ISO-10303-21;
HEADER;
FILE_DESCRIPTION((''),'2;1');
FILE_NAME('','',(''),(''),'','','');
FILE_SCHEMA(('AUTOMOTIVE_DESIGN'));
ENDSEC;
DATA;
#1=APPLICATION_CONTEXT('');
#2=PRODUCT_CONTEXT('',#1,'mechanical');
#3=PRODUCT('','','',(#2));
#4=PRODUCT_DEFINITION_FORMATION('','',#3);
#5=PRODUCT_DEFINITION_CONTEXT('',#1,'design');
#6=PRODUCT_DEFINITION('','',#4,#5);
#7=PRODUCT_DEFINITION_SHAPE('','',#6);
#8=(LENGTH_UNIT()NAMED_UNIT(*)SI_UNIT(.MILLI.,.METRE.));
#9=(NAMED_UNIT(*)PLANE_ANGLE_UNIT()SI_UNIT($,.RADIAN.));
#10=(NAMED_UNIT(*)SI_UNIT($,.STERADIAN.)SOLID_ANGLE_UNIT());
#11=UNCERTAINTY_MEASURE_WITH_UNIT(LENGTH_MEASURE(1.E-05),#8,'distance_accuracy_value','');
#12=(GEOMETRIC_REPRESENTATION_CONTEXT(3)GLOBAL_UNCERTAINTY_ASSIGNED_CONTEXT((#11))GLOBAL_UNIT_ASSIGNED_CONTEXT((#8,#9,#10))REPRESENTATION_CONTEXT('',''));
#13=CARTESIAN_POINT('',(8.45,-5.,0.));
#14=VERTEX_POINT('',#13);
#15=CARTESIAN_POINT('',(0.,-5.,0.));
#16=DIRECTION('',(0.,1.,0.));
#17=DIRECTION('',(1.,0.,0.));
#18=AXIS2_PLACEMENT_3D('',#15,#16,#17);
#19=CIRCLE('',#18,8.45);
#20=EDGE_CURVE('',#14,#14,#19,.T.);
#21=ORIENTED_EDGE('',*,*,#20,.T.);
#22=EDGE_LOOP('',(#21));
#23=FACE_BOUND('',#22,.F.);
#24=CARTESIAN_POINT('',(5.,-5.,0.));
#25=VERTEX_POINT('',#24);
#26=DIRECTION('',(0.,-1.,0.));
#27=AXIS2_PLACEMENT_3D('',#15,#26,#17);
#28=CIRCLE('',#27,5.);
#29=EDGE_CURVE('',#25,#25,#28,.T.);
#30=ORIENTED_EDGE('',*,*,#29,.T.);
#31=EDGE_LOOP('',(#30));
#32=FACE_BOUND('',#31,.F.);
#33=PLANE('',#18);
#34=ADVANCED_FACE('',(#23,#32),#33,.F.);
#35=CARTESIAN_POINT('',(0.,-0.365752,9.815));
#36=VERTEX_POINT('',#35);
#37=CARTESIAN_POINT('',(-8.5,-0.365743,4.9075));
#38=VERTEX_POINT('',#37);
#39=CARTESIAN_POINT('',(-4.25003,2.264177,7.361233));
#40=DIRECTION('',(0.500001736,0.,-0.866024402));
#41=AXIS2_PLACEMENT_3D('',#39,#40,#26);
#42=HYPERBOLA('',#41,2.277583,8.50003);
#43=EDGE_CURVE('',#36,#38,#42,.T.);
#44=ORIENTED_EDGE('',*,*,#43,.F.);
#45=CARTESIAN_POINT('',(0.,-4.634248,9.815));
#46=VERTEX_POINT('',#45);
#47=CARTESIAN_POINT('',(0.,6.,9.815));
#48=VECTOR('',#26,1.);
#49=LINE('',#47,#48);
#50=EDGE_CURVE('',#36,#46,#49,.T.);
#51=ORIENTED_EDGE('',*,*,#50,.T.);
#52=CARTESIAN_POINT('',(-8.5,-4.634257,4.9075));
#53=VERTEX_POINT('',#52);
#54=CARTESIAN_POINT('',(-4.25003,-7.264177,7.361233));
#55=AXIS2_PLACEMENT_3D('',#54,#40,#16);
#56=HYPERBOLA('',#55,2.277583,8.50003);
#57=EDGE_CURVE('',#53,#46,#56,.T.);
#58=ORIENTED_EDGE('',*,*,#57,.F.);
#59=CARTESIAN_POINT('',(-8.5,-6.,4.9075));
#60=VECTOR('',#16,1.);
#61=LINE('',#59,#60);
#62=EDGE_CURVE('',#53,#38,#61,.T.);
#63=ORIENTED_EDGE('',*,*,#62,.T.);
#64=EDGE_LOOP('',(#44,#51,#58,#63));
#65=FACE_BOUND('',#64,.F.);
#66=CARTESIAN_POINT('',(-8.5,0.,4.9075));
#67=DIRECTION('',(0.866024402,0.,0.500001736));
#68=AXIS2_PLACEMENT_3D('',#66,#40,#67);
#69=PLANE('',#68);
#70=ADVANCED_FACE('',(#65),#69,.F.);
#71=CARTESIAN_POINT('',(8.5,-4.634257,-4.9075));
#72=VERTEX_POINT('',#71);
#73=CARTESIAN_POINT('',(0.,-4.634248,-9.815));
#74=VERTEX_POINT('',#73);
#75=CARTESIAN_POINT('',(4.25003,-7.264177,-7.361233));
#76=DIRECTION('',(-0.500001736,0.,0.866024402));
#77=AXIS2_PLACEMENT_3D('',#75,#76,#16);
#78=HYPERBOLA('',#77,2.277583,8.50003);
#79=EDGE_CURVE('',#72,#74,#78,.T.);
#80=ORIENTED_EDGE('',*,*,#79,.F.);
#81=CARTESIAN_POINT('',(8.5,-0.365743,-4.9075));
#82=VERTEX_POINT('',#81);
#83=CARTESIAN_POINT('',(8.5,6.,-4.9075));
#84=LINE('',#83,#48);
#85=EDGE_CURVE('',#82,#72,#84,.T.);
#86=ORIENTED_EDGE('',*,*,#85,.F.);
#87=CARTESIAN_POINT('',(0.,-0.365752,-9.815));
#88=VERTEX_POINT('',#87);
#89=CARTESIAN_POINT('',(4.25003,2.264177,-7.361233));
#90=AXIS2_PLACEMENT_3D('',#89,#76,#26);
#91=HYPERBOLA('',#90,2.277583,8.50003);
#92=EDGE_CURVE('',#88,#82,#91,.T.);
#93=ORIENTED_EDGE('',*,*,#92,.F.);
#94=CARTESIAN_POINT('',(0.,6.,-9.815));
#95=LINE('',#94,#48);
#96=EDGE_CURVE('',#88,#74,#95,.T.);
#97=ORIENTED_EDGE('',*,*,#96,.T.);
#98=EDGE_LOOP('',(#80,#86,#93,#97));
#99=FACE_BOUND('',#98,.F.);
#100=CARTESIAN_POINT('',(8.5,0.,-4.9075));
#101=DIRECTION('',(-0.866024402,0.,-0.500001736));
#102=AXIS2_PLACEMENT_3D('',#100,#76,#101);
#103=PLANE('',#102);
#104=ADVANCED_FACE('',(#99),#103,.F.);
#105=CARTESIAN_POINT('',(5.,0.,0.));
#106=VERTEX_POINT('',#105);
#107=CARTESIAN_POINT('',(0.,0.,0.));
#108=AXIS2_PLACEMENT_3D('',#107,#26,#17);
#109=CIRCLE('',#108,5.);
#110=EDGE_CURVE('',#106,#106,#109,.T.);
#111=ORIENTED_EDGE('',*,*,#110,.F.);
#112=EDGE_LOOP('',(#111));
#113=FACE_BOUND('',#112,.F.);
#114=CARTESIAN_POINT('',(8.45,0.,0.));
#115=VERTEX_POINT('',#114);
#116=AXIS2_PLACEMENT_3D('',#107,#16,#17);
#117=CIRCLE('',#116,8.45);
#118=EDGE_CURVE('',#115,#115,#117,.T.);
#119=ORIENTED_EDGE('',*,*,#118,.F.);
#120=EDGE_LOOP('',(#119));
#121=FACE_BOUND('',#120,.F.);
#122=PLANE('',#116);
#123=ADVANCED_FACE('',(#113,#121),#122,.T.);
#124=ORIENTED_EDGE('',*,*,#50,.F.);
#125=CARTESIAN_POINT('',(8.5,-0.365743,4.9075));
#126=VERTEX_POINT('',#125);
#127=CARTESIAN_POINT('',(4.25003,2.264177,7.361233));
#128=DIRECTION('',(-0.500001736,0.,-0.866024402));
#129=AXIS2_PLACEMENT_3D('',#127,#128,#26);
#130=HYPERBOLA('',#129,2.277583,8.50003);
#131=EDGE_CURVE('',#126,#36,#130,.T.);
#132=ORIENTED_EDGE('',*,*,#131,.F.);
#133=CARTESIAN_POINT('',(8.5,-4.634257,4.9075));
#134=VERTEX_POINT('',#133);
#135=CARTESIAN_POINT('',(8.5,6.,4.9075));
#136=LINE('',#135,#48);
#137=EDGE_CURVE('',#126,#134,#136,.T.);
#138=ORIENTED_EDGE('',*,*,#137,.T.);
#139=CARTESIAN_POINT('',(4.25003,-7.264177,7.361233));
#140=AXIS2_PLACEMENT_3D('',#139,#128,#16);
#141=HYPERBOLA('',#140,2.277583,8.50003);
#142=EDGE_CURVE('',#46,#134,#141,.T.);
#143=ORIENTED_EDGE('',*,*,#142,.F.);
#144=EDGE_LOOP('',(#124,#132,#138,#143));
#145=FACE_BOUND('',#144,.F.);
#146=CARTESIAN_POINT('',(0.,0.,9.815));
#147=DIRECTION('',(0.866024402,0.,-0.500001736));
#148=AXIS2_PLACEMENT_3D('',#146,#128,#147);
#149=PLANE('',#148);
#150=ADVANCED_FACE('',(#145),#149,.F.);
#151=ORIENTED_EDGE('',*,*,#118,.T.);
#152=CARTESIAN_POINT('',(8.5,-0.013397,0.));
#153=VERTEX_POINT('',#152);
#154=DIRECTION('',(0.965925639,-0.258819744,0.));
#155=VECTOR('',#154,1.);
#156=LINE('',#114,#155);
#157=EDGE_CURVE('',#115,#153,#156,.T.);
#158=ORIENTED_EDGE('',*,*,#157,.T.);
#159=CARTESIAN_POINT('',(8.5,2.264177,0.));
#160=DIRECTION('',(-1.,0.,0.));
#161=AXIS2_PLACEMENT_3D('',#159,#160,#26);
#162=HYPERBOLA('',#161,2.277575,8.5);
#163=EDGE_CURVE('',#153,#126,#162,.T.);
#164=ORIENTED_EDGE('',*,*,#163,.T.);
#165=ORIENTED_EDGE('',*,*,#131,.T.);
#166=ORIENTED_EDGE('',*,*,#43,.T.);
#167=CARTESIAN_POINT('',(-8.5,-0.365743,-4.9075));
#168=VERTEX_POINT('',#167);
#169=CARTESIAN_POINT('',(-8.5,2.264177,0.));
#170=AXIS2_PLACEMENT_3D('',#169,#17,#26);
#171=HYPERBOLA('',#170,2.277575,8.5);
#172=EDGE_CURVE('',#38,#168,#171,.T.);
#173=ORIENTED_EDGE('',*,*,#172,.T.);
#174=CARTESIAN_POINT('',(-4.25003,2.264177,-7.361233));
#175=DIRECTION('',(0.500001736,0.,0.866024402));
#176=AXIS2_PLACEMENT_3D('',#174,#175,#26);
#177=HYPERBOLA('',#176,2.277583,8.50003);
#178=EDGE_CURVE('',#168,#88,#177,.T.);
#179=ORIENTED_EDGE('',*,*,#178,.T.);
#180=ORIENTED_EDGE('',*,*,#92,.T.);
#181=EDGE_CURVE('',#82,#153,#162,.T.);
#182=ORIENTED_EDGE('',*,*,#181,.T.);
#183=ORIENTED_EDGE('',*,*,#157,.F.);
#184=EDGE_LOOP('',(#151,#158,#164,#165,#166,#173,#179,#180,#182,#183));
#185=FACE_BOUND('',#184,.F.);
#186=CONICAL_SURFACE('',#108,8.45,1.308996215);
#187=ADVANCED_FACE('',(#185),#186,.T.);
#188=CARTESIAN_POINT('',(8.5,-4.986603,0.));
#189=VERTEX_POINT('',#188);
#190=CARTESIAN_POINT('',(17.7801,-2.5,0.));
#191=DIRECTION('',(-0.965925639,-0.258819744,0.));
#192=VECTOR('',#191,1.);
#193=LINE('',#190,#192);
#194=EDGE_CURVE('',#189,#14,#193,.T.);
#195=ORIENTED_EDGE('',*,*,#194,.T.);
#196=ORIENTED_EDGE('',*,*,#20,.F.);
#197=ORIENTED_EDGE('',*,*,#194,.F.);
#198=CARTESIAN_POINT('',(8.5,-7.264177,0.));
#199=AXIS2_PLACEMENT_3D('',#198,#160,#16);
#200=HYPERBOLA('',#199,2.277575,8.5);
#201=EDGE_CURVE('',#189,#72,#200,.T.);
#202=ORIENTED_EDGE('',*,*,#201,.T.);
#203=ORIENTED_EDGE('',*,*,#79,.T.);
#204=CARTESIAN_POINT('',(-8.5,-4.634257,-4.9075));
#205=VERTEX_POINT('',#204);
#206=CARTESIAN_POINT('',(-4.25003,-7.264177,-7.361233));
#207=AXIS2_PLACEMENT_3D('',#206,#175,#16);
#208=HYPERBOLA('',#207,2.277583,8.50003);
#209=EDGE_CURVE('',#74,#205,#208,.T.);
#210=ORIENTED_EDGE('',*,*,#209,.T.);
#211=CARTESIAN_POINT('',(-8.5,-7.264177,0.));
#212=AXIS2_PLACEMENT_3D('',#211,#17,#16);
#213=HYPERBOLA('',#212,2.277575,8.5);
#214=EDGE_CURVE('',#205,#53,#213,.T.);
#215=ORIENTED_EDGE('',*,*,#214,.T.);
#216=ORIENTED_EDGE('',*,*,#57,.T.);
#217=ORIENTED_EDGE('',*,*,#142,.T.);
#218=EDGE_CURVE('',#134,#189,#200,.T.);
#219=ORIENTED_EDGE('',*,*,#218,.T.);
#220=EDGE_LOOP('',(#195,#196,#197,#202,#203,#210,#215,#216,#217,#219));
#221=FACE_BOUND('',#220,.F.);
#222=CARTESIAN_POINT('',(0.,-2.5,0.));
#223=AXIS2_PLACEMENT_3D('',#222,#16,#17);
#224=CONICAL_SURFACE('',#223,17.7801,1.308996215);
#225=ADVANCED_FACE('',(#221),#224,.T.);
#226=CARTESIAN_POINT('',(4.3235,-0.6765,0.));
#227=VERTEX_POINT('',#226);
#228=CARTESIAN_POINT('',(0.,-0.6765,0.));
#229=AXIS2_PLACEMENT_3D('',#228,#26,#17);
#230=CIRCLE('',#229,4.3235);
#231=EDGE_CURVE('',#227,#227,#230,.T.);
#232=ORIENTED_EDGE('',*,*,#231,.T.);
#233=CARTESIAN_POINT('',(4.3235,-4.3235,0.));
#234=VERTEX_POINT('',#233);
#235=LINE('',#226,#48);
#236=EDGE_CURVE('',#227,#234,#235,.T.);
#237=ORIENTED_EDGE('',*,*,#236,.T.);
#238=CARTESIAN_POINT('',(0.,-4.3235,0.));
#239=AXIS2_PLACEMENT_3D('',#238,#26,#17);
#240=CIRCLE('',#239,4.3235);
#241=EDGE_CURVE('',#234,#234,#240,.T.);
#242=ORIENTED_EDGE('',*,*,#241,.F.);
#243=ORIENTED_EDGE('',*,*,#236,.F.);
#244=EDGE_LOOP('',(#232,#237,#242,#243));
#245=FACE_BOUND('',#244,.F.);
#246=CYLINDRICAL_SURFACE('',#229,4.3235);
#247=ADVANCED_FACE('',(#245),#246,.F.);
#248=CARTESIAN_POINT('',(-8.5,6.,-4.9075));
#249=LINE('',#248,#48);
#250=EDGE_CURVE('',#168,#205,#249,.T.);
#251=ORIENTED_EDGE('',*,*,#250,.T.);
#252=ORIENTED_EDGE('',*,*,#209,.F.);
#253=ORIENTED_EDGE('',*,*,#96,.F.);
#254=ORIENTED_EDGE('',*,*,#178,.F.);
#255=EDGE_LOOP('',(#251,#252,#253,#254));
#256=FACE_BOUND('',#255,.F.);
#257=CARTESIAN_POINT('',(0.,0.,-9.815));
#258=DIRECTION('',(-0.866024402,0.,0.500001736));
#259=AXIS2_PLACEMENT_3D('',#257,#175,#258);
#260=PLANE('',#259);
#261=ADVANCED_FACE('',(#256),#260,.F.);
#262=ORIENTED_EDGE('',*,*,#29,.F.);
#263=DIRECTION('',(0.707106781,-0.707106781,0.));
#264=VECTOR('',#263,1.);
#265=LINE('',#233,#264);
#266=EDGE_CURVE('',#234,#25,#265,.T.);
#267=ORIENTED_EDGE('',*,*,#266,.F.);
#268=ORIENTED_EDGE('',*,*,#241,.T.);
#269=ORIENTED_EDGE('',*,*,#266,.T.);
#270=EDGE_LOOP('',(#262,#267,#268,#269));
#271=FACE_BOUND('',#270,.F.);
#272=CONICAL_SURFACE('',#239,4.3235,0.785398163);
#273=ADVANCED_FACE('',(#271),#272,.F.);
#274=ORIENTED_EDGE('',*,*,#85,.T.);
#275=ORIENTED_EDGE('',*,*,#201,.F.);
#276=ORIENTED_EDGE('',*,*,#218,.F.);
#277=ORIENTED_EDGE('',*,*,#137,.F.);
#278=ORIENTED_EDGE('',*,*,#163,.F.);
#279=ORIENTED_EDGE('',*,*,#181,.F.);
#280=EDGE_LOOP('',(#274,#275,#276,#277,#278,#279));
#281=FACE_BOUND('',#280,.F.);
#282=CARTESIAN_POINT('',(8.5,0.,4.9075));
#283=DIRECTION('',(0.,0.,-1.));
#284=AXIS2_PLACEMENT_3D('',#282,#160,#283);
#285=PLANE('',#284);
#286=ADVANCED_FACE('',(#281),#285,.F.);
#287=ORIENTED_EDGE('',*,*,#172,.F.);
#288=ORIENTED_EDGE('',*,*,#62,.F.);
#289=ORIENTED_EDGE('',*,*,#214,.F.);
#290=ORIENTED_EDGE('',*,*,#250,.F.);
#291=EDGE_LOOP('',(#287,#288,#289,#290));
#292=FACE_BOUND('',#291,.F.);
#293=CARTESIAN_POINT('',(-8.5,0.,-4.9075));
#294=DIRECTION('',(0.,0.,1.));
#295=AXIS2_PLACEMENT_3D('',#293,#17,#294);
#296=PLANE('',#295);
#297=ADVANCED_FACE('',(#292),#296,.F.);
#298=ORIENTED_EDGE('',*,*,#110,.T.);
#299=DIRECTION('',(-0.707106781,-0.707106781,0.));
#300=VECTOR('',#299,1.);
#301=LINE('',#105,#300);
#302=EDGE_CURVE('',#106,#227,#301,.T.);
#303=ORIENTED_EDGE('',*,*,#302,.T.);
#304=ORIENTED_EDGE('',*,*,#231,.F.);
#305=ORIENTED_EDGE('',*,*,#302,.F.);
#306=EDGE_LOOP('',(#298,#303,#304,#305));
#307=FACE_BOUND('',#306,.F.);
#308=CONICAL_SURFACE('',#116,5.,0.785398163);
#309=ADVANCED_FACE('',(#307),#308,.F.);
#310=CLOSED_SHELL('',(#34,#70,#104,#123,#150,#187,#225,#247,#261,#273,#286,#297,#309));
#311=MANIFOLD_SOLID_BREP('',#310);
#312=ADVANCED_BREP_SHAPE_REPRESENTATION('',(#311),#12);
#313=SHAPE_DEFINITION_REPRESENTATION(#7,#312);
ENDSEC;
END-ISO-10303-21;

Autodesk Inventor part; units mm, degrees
sketch "Sketch_1" plane through (0, 0, 0) normal (0, 0, 1) x (1, 0, 0)
  line L0 (0, -5) -> (0, 0)
  line L1 (0, 0) -> (8.45, 0)
  line L2 (8.45, 0) -> (17.7801, -2.5)
  line L3 (17.7801, -2.5) -> (8.45, -5)
  line L4 (8.45, -5) -> (0, -5)
  line L5 (0, -5) -> (0, 0)
revolve "Revolution1" add sketch "Sketch_1" angle 360 about axis through (0, -5, 0) along (0, 1, 0)
sketch "Sketch_2" plane through (0, 0, 0) normal (0, 1, 0) x (-1, 0, 0)
  line L0 (34, -34) -> (34, 34)
  line L1 (34, 34) -> (-34, 34)
  line L2 (-34, 34) -> (-34, -34)
  line L3 (-34, -34) -> (34, -34)
  line L4 (8.5, 4.9075) -> (0, 9.815)
  line L5 (0, 9.815) -> (-8.5, 4.9075)
  line L6 (-8.5, 4.9075) -> (-8.5, -4.9075)
  line L7 (-8.5, -4.9075) -> (0, -9.815)
  line L8 (0, -9.815) -> (8.5, -4.9075)
  line L9 (8.5, -4.9075) -> (8.5, 4.9075)
extrude "Extrusion1" cut sketch "Sketch_2" along normal mid plane 12
sketch "Sketch_3" plane through (0, 0, 0) normal (0, 0, 1) x (1, 0, 0)
  line L0 (0, -5) -> (0, 0)
  line L1 (0, 0) -> (5, 0)
  line L2 (5, 0) -> (4.3235, -0.6765)
  line L3 (4.3235, -0.6765) -> (4.3235, -4.3235)
  line L4 (4.3235, -4.3235) -> (5, -5)
  line L5 (5, -5) -> (0, -5)
  line L6 (0, -5) -> (0, 0)
revolve "Revolution2" cut sketch "Sketch_3" angle 360 about axis through (0, -5, 0) along (0, -1, 0)
thread "Thread1" size "M10x1.25" class "6H" standard "ISO Metric profile" full length
ref_plane "2CYL_XY" through (0, -2.5, 0) normal (0, 1, 0) x (1, 0, 0)
ref_plane "2CYL_YZ" through (0, -2.5, 0) normal (1, 0, 0) x (0, 0, -1)
ref_plane "2CYL_ZX" through (0, -2.5, 0) normal (0, 0, -1) x (0, 1, 0)
ref_plane "din439b_punkt_XY" through (0, 0, 0) normal (0, 1, 0) x (1, 0, 0)
ref_plane "din439b_punkt_YZ" through (0, 0, 0) normal (1, 0, 0) x (0, 0, -1)
ref_plane "din439b_punkt_ZX" through (0, 0, 0) normal (0, 0, -1) x (0, 1, 0)
properties part number "DIN-439-B - M10x1_25(F)_CPY_CPY"
